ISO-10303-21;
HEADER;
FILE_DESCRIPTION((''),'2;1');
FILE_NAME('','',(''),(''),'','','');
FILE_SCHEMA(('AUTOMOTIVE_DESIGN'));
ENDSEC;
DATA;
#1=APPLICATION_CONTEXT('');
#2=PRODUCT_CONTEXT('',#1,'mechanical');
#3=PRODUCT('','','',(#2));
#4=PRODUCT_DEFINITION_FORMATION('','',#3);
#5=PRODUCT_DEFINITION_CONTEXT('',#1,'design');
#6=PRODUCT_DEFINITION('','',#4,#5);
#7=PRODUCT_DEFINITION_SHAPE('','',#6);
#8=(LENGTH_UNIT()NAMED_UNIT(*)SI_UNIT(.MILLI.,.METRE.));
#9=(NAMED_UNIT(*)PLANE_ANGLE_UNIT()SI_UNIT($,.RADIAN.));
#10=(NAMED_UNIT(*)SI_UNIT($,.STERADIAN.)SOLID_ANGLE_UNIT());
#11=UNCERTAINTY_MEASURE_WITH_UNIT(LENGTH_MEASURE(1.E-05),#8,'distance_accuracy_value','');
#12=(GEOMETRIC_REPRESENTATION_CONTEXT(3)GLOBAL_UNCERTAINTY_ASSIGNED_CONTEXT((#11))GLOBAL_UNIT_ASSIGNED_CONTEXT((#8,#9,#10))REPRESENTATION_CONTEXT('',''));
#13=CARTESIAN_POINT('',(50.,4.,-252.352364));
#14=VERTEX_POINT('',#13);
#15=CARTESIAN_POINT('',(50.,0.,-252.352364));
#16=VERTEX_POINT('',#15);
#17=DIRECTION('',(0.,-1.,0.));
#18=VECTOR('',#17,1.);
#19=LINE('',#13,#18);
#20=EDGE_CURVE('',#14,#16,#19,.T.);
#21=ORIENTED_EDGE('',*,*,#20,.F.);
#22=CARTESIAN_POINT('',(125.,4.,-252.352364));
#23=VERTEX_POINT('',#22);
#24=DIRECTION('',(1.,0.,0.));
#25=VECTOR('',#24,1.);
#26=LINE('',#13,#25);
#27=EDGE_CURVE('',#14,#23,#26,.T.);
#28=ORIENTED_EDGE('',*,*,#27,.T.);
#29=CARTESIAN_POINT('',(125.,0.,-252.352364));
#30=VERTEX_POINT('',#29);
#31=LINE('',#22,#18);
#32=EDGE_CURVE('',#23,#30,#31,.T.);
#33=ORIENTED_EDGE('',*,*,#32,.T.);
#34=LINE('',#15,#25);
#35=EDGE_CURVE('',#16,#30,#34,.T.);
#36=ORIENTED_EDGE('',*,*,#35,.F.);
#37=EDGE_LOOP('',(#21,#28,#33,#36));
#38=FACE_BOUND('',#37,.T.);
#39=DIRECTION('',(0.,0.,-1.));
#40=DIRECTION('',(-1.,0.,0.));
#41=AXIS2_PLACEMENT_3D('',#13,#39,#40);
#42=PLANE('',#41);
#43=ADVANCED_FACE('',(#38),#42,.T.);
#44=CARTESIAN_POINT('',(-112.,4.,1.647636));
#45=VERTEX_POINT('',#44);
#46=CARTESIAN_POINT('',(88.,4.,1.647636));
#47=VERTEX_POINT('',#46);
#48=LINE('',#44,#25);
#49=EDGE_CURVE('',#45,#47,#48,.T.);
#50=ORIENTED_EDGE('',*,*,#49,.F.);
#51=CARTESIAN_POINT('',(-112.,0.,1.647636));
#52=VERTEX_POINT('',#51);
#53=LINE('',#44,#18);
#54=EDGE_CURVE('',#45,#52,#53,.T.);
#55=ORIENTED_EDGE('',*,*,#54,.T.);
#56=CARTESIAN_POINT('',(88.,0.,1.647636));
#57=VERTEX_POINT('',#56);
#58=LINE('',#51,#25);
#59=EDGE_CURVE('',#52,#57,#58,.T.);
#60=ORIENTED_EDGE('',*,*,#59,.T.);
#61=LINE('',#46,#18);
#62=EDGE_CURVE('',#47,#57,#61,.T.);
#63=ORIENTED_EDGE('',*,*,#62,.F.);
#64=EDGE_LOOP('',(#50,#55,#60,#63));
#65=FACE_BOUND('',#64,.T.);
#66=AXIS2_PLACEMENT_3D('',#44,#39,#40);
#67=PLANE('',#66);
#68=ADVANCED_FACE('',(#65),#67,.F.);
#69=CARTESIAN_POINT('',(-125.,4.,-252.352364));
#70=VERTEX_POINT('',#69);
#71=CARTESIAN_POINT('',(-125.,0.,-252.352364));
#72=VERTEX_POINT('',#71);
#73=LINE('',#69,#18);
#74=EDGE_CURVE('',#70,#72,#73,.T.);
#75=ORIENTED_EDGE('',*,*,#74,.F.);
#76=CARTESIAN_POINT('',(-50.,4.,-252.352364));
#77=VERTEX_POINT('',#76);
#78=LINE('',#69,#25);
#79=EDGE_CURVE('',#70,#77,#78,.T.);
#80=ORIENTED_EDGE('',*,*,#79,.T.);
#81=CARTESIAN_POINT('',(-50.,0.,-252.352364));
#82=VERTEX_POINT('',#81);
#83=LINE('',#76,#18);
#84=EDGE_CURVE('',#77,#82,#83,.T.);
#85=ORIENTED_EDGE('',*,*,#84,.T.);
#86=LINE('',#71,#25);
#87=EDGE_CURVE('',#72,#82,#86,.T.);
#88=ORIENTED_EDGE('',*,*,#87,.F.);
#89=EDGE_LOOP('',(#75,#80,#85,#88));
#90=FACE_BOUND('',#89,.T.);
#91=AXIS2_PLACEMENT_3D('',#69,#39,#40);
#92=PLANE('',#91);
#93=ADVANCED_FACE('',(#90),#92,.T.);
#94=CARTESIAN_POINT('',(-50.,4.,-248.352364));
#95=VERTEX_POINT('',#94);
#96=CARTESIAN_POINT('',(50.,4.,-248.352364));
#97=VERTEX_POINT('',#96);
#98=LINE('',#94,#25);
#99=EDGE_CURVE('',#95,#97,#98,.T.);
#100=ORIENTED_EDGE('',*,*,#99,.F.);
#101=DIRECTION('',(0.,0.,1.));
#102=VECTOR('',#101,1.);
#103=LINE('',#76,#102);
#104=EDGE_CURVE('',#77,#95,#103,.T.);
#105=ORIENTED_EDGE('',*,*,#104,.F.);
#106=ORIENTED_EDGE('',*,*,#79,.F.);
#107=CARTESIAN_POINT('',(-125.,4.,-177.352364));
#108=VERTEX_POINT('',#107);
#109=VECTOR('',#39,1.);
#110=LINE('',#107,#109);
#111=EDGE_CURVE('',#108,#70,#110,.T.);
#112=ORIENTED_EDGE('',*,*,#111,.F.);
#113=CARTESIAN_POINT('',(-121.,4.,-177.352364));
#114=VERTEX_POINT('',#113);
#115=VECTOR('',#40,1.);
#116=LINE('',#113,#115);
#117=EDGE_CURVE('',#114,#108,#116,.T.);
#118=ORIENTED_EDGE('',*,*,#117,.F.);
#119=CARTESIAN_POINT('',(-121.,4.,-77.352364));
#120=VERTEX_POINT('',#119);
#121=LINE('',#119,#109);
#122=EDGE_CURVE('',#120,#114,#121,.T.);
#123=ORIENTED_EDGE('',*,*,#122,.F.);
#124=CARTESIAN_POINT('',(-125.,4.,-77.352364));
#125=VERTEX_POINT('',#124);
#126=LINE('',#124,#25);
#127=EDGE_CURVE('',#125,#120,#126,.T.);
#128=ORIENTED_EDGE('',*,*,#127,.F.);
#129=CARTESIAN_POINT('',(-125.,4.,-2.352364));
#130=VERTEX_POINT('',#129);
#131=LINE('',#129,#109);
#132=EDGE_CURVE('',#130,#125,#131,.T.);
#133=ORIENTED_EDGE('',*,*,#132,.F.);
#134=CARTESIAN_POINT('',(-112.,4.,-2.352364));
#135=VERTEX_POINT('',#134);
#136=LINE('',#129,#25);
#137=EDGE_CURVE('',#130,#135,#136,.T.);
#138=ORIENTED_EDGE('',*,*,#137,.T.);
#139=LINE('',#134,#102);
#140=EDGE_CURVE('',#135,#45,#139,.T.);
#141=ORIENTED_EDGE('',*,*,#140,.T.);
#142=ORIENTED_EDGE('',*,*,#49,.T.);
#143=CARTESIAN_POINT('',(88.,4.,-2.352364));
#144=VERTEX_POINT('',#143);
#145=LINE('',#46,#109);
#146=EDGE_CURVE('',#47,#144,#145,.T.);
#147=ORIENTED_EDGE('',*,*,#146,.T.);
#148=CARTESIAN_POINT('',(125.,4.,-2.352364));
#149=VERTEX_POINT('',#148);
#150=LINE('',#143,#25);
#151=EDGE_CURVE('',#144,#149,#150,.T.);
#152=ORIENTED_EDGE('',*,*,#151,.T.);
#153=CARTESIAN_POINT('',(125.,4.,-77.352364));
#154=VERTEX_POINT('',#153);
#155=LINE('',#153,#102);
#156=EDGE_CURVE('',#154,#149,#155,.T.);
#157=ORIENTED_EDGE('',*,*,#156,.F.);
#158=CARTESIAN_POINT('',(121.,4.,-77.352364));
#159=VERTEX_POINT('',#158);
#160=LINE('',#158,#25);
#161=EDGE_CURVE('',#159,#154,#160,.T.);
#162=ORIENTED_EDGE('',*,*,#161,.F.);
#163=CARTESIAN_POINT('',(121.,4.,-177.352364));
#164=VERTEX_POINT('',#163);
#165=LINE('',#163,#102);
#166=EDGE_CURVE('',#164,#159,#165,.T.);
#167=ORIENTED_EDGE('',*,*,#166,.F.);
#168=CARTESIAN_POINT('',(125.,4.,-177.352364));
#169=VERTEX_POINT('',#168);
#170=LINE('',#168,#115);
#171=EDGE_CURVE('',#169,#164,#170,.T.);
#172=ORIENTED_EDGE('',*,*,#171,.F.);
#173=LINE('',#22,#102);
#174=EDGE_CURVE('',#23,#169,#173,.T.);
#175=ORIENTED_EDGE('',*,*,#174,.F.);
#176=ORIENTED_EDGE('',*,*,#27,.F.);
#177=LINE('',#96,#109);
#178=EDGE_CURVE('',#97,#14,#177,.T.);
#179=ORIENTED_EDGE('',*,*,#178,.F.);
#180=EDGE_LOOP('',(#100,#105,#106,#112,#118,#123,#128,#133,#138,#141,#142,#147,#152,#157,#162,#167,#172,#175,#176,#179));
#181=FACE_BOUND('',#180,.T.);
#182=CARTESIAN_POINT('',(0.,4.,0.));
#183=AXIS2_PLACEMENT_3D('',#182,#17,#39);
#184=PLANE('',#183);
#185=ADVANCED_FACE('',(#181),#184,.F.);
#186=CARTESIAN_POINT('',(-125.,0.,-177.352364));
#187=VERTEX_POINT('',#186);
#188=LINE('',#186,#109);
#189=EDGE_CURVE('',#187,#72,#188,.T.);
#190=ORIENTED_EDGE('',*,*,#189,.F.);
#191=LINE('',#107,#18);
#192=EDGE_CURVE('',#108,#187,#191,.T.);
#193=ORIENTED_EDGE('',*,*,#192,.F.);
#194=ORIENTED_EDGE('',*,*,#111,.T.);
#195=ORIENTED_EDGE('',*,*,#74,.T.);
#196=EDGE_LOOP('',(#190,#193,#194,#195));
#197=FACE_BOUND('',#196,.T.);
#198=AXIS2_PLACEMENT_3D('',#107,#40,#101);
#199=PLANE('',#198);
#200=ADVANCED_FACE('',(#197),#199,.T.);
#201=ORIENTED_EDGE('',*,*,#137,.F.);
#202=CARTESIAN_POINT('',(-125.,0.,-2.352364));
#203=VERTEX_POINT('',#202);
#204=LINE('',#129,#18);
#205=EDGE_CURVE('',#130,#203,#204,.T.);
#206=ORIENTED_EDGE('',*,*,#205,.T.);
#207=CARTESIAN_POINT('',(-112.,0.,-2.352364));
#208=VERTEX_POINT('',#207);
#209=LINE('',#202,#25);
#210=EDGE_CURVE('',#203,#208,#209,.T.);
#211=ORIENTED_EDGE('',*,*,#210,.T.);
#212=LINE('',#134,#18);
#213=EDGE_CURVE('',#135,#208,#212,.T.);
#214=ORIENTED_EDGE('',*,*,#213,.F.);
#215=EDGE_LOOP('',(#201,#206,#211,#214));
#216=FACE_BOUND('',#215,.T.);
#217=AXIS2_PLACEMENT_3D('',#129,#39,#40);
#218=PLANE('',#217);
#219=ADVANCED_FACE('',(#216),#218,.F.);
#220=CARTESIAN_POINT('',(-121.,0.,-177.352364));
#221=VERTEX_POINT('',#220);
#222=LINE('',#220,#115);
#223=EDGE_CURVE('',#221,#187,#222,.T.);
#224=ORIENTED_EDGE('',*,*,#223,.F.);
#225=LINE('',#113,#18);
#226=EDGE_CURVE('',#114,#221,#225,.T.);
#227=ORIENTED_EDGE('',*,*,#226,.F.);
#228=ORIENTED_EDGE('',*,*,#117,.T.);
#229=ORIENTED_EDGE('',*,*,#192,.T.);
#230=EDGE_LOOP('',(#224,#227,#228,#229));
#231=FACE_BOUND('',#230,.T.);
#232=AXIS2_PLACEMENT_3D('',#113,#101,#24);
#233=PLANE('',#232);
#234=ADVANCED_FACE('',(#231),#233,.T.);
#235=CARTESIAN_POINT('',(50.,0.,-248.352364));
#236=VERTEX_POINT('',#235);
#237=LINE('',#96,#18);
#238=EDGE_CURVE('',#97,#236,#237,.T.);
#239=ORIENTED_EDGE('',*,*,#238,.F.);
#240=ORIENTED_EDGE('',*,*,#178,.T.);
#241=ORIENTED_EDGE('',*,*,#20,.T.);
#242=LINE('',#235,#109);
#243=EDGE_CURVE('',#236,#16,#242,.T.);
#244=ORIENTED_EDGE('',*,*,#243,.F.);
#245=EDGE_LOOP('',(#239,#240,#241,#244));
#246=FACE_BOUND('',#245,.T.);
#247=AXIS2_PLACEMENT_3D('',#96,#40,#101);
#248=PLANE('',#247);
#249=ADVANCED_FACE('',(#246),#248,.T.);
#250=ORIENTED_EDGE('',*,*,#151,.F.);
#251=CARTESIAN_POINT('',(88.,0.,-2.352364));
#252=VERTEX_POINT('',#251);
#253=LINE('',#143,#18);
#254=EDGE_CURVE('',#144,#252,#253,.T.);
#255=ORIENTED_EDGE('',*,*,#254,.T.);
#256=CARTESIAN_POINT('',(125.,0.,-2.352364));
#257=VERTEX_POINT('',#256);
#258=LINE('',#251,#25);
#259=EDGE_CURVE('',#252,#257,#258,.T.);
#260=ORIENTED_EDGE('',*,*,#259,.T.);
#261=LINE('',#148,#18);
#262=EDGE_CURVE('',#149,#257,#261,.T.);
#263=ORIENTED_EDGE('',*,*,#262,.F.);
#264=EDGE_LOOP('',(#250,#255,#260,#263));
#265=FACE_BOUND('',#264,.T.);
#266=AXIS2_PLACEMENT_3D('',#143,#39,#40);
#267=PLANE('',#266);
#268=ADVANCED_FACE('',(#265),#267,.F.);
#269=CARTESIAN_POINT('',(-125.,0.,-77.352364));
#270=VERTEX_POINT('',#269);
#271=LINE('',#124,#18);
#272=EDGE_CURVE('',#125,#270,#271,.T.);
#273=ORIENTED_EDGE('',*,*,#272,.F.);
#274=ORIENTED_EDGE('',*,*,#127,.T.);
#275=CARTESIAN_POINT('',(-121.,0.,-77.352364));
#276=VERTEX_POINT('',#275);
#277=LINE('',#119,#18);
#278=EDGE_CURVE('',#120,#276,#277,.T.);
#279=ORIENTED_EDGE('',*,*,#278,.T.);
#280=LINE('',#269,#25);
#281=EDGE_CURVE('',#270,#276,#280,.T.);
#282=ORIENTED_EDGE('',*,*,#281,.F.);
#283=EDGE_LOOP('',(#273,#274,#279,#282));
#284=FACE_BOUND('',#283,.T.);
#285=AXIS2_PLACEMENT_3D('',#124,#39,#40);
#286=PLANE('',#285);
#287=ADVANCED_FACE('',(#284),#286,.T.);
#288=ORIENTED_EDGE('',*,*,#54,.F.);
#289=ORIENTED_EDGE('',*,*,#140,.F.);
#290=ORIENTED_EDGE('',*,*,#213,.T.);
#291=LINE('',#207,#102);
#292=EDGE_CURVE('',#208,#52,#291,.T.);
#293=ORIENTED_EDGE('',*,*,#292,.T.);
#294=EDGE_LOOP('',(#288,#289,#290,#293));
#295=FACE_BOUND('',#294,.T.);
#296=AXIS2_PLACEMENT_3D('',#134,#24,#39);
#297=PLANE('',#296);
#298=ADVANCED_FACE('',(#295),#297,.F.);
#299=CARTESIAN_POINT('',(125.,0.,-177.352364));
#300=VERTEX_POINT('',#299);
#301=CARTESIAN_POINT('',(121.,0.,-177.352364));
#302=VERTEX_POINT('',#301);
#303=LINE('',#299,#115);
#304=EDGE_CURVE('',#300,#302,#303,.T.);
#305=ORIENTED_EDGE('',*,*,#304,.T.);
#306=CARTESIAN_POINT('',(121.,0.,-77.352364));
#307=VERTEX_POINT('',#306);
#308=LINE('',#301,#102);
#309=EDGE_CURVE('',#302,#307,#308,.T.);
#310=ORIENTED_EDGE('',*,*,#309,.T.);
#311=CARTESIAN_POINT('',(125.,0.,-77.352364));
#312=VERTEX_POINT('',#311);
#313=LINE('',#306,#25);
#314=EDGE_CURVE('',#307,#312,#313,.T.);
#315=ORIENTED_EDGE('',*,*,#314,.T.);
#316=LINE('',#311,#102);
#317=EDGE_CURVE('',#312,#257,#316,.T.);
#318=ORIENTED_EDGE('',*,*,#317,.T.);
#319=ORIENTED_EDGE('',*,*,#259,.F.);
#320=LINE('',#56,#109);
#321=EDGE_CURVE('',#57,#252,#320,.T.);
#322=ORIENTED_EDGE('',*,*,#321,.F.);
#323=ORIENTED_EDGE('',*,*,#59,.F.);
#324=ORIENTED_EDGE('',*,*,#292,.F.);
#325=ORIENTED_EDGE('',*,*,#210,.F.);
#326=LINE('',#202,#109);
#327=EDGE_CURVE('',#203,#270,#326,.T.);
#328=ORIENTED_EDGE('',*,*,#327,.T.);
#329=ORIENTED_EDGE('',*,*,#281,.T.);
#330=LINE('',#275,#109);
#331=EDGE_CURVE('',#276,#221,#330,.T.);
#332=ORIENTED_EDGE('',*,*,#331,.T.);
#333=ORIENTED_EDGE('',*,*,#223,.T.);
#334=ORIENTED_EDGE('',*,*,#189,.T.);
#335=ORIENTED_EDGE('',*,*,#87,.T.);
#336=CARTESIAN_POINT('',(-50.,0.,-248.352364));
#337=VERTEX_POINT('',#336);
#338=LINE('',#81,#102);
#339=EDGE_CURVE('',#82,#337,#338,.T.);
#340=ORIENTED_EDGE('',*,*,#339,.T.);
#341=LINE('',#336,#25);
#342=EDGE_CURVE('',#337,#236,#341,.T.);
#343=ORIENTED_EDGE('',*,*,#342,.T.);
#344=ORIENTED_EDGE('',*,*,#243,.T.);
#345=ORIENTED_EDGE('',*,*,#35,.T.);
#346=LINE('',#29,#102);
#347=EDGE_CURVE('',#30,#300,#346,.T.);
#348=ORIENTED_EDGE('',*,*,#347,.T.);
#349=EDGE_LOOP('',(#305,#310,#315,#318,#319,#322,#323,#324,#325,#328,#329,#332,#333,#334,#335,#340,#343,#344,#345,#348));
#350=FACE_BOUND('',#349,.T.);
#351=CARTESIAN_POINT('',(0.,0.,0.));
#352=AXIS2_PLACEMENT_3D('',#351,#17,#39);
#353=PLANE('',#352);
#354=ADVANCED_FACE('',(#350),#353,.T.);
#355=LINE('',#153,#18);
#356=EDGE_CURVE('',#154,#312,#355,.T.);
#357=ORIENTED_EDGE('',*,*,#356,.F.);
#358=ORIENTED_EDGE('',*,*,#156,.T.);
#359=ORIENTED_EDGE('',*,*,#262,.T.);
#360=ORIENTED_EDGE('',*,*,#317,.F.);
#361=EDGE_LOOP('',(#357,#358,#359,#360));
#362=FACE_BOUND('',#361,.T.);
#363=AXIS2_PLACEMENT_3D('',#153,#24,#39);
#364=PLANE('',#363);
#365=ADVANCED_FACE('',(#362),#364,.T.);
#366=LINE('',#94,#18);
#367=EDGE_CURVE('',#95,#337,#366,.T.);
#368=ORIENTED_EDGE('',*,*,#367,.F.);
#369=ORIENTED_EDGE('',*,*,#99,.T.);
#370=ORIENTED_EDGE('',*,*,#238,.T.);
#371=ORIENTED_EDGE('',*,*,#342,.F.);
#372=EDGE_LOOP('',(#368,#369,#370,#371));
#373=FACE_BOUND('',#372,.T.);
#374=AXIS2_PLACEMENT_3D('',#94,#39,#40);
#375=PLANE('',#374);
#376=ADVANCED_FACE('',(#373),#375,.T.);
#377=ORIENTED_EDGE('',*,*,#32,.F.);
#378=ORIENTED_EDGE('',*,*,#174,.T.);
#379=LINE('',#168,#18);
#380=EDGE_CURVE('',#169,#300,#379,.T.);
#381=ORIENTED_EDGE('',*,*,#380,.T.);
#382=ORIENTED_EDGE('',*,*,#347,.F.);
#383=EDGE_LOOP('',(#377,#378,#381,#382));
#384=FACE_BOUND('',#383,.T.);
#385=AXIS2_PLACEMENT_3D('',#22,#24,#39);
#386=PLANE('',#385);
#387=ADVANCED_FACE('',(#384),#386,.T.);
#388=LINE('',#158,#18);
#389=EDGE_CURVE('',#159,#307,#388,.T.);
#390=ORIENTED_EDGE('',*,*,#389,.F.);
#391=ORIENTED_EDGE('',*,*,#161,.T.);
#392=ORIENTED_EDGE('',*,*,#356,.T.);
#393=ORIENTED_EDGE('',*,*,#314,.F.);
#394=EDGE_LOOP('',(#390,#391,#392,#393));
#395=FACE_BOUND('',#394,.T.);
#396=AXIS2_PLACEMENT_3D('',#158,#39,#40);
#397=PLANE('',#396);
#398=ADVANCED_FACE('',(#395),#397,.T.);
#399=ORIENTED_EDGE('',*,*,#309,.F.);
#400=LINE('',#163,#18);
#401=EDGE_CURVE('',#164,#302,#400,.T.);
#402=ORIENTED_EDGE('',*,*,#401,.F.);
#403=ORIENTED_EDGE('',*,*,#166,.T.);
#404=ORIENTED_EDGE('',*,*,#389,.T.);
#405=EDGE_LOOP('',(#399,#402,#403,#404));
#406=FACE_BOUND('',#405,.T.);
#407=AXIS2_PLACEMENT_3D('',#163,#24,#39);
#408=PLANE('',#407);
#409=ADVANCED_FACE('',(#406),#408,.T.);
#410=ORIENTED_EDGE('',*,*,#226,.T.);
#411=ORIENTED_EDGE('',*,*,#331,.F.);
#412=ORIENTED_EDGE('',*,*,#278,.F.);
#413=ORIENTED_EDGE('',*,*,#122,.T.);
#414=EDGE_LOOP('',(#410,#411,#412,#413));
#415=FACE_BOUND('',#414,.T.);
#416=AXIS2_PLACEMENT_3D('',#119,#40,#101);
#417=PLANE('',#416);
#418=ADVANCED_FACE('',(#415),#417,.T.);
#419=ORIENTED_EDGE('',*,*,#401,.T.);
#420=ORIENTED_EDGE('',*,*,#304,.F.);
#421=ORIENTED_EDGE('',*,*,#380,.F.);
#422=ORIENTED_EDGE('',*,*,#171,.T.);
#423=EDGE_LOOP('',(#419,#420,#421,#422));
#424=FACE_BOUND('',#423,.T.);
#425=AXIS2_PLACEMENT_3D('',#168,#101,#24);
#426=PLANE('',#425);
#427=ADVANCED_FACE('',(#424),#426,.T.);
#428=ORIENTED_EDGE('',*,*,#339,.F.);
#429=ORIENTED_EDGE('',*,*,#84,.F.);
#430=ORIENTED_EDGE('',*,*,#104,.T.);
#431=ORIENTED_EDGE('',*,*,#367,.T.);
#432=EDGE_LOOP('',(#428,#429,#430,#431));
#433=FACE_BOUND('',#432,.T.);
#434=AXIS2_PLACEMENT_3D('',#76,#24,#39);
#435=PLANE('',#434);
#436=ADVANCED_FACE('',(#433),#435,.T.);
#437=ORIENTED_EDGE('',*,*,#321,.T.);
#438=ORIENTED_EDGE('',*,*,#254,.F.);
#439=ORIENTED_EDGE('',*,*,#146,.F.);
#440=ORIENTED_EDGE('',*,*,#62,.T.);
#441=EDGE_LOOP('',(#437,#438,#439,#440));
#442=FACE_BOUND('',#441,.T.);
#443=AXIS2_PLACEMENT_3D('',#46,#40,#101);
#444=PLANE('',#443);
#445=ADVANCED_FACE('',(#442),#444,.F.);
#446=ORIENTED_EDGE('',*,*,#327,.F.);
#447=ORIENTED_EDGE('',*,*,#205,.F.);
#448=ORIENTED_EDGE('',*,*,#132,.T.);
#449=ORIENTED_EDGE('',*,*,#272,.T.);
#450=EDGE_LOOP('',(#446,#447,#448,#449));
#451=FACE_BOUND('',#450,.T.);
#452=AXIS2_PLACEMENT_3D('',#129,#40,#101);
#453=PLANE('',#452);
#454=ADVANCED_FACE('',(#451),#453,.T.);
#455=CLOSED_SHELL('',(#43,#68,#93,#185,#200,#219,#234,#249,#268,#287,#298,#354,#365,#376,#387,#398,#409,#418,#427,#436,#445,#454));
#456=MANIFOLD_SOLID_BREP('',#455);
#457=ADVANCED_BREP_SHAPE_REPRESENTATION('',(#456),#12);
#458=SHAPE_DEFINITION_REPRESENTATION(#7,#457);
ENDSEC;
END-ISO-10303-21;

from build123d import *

# Parameters (mm, degrees)
BOSS_EXTRUDE3_DEPTH = 4


with BuildPart() as part:
    # Sketch1 → Boss-Extrude3 (new body)
    with BuildSketch(Plane(origin=(0, 0, 0), x_dir=(1, 0, 0), z_dir=(0, 1, 0))):
        Polygon((-125, 2.352363688), (-112, 2.352363688), (-112, -1.647636312), (88, -1.647636312), (88, 2.352363688), (125, 2.352363688), (125, 77.352363688), (121, 77.352363688), (121, 177.352363688), (125, 177.352363688), (125, 252.352363688), (50, 252.352363688), (50, 248.352363688), (-50, 248.352363688), (-50, 252.352363688), (-125, 252.352363688), (-125, 177.352363688), (-121, 177.352363688), (-121, 77.352363688), (-125, 77.352363688), align=None)
    extrude(amount=BOSS_EXTRUDE3_DEPTH)


solid = part.part
